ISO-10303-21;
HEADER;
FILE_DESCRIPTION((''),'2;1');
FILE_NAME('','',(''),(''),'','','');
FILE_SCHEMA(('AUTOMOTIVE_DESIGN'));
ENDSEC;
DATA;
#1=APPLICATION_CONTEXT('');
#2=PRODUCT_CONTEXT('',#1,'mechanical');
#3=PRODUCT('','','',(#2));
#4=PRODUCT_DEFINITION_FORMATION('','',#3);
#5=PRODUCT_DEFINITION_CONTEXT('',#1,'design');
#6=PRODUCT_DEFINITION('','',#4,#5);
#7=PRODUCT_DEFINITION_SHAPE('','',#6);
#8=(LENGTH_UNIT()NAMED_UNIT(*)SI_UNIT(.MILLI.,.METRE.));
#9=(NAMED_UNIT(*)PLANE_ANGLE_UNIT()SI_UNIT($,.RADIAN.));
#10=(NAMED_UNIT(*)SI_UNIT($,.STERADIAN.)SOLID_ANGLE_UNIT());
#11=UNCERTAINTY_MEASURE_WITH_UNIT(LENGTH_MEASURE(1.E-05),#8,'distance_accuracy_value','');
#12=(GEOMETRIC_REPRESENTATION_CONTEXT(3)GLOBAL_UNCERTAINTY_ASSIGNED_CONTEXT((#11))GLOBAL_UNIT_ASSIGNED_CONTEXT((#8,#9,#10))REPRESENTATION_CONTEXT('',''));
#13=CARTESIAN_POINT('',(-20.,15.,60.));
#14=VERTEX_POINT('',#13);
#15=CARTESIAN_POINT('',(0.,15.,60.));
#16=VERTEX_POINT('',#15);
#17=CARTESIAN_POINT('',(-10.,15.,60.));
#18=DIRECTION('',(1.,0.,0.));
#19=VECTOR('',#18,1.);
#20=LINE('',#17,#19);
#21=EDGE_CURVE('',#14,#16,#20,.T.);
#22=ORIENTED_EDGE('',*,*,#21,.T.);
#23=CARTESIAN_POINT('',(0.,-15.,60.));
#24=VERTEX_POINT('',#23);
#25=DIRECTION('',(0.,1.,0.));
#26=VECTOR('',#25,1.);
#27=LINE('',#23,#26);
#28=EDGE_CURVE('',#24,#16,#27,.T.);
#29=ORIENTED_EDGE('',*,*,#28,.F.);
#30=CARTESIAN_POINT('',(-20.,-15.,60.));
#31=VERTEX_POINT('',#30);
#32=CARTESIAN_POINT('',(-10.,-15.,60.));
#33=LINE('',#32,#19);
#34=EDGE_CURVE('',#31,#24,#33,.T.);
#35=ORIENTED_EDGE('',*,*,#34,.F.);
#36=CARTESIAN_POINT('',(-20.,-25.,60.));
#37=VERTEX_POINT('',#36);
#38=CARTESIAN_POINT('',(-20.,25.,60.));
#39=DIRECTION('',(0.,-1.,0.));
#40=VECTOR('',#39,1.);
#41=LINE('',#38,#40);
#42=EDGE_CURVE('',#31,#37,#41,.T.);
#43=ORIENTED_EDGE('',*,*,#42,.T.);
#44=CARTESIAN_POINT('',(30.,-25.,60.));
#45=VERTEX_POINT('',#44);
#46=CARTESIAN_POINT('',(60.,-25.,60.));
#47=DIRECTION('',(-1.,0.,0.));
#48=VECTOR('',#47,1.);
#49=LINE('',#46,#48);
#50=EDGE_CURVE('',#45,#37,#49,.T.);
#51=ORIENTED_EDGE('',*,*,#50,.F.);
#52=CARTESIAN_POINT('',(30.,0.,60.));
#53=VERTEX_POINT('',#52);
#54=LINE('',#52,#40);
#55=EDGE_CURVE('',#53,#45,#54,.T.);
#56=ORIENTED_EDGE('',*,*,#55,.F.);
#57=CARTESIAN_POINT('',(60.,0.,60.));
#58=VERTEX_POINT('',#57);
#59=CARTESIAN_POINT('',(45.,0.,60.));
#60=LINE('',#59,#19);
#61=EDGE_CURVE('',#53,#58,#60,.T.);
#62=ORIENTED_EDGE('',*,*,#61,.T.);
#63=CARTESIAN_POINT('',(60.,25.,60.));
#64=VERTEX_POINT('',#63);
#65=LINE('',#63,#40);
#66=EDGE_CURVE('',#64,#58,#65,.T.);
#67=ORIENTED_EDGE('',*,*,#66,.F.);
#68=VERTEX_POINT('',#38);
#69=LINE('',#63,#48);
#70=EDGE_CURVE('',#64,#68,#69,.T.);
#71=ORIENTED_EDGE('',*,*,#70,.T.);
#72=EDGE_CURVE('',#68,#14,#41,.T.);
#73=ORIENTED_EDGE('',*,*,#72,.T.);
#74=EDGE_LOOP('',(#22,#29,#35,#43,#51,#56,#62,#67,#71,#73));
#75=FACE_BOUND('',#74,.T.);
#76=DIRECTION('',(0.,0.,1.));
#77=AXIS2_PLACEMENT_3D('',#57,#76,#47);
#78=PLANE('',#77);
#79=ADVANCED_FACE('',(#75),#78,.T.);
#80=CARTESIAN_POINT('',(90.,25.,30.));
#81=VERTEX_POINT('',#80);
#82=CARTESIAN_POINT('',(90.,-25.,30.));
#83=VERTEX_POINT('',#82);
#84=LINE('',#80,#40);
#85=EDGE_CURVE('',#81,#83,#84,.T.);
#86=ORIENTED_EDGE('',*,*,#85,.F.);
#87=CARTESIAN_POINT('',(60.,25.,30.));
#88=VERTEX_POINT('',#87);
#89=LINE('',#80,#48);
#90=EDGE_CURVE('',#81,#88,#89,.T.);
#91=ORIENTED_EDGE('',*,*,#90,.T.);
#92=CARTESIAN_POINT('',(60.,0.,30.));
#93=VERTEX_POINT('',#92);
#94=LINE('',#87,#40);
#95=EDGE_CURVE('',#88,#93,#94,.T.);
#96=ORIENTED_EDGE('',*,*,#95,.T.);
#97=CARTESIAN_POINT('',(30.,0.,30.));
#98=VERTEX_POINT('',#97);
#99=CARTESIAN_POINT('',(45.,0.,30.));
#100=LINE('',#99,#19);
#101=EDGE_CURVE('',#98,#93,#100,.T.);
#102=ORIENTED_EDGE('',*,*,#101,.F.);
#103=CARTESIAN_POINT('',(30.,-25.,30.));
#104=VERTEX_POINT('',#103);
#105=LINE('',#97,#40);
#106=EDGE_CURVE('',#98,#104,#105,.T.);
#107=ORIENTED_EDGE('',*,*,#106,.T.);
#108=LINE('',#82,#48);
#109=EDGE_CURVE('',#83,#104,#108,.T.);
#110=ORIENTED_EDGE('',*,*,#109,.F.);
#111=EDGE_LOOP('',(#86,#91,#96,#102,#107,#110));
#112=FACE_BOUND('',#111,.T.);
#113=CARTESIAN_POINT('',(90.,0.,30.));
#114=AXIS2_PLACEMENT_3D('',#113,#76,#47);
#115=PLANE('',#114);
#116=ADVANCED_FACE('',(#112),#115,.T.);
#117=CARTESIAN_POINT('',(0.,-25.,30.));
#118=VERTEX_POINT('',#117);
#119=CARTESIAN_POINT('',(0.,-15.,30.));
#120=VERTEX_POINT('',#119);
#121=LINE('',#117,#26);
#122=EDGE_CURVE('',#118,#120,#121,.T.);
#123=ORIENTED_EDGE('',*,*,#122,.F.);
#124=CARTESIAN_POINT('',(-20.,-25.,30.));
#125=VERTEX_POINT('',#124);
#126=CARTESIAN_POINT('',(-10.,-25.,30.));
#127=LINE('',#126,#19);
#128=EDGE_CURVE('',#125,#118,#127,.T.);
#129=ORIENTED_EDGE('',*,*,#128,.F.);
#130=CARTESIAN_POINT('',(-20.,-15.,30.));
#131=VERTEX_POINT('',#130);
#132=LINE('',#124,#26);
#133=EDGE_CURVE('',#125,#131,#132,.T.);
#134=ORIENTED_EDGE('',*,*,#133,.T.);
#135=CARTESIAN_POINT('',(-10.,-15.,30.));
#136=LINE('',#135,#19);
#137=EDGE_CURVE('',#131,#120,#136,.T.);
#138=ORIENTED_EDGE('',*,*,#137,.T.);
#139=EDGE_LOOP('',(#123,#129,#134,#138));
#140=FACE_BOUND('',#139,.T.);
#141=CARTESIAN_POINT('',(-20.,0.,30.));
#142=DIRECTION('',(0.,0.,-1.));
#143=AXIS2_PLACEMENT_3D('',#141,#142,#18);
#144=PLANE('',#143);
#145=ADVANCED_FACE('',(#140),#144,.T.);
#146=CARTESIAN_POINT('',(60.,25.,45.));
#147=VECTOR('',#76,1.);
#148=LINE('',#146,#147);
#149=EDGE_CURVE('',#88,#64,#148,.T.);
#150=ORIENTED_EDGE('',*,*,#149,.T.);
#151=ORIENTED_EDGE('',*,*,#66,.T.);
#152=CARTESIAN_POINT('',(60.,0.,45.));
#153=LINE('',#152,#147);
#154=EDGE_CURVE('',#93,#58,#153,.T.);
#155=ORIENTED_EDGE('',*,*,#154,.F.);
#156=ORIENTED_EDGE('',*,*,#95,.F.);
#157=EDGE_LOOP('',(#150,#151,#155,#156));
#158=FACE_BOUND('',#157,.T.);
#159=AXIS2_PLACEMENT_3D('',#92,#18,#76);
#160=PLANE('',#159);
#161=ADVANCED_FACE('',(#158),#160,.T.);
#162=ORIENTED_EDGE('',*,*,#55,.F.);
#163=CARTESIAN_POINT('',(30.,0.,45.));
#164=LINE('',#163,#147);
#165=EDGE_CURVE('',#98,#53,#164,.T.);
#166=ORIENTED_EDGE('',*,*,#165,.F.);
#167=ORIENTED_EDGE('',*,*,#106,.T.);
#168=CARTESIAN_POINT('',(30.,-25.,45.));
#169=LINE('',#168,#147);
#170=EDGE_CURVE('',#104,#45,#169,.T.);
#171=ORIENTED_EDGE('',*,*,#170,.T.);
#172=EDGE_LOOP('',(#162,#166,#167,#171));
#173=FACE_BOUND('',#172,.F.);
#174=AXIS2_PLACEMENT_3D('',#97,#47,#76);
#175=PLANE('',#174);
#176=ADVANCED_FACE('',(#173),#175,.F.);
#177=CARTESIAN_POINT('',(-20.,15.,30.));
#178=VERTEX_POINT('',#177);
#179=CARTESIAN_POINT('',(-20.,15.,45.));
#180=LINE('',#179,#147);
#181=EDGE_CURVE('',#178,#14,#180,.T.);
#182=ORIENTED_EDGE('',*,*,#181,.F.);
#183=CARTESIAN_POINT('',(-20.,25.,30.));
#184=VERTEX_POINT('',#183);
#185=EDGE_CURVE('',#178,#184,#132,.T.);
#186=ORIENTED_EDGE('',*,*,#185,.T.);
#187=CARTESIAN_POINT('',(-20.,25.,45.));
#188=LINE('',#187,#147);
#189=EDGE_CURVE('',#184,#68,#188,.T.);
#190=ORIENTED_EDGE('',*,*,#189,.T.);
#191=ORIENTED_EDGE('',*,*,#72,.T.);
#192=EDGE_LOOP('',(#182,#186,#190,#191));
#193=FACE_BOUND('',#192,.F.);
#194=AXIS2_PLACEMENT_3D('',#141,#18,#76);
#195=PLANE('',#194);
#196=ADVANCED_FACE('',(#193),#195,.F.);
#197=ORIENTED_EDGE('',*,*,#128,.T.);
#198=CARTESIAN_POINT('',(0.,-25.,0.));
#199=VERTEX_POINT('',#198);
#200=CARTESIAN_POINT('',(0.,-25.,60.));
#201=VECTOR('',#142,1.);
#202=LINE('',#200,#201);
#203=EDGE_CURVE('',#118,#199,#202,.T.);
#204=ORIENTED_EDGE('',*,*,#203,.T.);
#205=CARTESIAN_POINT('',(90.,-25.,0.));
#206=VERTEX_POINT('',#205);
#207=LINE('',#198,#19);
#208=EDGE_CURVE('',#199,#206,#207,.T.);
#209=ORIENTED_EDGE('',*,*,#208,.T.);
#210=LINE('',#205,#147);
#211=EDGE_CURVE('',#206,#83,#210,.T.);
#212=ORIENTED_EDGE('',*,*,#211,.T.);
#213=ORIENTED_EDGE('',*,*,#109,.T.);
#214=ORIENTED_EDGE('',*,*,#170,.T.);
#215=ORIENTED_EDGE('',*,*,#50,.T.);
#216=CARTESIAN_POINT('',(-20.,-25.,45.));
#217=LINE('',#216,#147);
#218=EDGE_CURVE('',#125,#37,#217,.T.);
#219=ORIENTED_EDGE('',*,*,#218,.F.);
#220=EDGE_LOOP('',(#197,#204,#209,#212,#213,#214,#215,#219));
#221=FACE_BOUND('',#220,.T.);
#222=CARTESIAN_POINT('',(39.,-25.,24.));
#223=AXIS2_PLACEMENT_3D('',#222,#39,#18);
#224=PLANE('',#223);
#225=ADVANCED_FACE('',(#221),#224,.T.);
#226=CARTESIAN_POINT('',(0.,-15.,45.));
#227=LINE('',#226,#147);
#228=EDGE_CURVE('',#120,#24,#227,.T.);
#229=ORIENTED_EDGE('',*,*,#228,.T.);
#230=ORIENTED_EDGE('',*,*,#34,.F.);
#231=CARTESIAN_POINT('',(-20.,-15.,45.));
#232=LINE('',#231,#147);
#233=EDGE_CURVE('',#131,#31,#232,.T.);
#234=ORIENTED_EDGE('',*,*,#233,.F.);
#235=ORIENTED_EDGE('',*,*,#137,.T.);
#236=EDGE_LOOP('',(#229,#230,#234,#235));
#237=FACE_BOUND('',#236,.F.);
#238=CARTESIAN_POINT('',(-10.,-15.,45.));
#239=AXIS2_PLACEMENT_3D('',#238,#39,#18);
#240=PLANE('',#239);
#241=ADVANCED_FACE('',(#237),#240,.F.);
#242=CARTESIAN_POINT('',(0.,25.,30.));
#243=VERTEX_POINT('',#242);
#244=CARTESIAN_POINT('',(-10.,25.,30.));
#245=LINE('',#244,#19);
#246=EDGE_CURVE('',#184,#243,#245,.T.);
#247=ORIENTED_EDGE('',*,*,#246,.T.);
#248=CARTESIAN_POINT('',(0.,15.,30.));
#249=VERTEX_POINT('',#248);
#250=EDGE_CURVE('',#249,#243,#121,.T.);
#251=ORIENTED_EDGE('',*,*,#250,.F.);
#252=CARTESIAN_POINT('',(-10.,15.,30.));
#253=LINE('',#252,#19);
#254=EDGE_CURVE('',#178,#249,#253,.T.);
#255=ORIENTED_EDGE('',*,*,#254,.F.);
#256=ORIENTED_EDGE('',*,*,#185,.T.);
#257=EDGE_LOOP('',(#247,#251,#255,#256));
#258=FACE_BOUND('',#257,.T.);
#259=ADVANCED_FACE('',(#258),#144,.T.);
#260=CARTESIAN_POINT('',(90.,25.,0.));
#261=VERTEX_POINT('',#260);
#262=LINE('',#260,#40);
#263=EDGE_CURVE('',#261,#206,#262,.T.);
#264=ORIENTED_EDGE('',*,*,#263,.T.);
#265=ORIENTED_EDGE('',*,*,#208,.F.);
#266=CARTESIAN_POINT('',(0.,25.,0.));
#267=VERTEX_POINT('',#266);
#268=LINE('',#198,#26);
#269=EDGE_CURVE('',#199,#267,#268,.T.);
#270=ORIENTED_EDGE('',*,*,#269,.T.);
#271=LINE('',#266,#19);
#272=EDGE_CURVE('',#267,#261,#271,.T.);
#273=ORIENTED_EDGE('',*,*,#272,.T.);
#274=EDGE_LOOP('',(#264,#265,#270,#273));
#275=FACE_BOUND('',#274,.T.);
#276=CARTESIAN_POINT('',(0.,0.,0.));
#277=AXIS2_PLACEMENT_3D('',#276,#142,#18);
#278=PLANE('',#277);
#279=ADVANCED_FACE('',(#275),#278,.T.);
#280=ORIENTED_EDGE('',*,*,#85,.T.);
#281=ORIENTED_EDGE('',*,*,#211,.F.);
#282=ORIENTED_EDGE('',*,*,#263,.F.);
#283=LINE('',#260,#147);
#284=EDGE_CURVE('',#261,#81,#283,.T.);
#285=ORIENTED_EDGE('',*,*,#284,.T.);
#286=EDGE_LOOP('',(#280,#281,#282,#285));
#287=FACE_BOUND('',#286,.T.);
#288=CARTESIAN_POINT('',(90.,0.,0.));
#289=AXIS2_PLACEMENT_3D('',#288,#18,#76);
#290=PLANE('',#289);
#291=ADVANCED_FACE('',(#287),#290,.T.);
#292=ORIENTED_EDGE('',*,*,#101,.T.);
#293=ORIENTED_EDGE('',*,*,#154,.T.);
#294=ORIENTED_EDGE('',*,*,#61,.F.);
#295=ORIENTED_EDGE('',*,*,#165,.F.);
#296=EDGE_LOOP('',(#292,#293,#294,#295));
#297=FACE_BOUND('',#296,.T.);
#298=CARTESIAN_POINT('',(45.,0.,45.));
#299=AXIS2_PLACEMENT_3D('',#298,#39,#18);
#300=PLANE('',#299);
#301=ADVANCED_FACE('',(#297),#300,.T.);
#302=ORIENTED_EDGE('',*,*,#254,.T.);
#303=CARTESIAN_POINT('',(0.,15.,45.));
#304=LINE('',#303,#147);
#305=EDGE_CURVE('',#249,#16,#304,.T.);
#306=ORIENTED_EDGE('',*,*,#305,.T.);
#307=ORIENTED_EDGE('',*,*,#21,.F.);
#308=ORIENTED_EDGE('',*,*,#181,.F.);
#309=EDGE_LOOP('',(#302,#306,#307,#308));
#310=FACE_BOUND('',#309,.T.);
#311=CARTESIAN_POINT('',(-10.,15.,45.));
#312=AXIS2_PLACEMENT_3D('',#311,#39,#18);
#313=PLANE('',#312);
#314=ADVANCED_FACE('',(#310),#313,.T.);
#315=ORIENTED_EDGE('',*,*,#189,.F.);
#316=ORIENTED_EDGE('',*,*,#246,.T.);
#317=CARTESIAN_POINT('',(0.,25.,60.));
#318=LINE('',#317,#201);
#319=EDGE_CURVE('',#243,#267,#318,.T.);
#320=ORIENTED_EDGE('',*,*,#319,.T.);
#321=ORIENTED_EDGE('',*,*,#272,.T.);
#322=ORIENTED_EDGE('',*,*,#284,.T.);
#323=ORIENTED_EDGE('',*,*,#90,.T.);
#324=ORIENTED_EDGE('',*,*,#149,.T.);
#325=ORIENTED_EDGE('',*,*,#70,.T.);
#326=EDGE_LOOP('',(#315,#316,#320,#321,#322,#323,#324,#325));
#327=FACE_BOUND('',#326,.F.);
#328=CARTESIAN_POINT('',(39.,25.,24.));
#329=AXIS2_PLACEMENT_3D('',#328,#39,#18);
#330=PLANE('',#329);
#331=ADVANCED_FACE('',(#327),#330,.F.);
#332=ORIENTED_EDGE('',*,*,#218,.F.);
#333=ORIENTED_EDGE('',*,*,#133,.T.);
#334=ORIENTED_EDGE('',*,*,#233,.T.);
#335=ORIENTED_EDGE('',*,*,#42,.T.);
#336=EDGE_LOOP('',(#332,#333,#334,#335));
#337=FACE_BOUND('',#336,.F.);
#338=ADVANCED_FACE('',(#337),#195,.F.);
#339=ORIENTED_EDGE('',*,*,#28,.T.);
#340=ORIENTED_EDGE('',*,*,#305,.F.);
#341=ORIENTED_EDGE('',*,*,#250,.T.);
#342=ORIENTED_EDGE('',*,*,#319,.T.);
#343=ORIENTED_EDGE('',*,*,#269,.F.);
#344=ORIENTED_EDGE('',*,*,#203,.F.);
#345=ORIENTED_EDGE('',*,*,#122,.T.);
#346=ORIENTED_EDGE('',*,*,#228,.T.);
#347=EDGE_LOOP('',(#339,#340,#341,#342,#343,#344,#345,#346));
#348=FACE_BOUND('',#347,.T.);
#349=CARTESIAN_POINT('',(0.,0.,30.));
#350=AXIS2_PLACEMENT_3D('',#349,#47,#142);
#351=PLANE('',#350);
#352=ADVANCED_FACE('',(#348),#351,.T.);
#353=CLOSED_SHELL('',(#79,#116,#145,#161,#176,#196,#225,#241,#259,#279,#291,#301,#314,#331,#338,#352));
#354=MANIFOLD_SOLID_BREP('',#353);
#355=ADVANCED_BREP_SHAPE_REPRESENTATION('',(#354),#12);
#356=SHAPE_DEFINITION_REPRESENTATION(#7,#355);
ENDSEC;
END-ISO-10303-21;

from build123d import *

# Parameters (mm, degrees)
F0_W     = 20
F0_H     = 30
F0_W_2   = 30
F1_DEPTH = 25
F2_DEPTH = 25
F3_DEPTH = 15


with BuildPart() as f1:
    # F0 (on Front) → F1 (new body, symmetric)
    with BuildSketch(Plane.XZ):
        Polygon((0, 30), (0, 0), (90, 0), (90, 30), (60, 30), (30, 30), (30, 60), (0, 60), align=None)
        with Locations((-10, 45)):
            Rectangle(F0_W, F0_H)
        with Locations((45, 45)):
            Rectangle(F0_W_2, F0_H)
    extrude(amount=F1_DEPTH, both=True)

    # F0 (on Front) → F2 (cut)
    with BuildSketch(Plane.XZ):
        with Locations((45, 45)):
            Rectangle(F0_W_2, F0_H)
    extrude(amount=F2_DEPTH, mode=Mode.SUBTRACT)

    # F0 (on Front) → F3 (cut, symmetric)
    with BuildSketch(Plane.XZ):
        with Locations((-10, 45)):
            Rectangle(F0_W, F0_H)
    extrude(amount=F3_DEPTH, both=True, mode=Mode.SUBTRACT)


solid = f1.part
